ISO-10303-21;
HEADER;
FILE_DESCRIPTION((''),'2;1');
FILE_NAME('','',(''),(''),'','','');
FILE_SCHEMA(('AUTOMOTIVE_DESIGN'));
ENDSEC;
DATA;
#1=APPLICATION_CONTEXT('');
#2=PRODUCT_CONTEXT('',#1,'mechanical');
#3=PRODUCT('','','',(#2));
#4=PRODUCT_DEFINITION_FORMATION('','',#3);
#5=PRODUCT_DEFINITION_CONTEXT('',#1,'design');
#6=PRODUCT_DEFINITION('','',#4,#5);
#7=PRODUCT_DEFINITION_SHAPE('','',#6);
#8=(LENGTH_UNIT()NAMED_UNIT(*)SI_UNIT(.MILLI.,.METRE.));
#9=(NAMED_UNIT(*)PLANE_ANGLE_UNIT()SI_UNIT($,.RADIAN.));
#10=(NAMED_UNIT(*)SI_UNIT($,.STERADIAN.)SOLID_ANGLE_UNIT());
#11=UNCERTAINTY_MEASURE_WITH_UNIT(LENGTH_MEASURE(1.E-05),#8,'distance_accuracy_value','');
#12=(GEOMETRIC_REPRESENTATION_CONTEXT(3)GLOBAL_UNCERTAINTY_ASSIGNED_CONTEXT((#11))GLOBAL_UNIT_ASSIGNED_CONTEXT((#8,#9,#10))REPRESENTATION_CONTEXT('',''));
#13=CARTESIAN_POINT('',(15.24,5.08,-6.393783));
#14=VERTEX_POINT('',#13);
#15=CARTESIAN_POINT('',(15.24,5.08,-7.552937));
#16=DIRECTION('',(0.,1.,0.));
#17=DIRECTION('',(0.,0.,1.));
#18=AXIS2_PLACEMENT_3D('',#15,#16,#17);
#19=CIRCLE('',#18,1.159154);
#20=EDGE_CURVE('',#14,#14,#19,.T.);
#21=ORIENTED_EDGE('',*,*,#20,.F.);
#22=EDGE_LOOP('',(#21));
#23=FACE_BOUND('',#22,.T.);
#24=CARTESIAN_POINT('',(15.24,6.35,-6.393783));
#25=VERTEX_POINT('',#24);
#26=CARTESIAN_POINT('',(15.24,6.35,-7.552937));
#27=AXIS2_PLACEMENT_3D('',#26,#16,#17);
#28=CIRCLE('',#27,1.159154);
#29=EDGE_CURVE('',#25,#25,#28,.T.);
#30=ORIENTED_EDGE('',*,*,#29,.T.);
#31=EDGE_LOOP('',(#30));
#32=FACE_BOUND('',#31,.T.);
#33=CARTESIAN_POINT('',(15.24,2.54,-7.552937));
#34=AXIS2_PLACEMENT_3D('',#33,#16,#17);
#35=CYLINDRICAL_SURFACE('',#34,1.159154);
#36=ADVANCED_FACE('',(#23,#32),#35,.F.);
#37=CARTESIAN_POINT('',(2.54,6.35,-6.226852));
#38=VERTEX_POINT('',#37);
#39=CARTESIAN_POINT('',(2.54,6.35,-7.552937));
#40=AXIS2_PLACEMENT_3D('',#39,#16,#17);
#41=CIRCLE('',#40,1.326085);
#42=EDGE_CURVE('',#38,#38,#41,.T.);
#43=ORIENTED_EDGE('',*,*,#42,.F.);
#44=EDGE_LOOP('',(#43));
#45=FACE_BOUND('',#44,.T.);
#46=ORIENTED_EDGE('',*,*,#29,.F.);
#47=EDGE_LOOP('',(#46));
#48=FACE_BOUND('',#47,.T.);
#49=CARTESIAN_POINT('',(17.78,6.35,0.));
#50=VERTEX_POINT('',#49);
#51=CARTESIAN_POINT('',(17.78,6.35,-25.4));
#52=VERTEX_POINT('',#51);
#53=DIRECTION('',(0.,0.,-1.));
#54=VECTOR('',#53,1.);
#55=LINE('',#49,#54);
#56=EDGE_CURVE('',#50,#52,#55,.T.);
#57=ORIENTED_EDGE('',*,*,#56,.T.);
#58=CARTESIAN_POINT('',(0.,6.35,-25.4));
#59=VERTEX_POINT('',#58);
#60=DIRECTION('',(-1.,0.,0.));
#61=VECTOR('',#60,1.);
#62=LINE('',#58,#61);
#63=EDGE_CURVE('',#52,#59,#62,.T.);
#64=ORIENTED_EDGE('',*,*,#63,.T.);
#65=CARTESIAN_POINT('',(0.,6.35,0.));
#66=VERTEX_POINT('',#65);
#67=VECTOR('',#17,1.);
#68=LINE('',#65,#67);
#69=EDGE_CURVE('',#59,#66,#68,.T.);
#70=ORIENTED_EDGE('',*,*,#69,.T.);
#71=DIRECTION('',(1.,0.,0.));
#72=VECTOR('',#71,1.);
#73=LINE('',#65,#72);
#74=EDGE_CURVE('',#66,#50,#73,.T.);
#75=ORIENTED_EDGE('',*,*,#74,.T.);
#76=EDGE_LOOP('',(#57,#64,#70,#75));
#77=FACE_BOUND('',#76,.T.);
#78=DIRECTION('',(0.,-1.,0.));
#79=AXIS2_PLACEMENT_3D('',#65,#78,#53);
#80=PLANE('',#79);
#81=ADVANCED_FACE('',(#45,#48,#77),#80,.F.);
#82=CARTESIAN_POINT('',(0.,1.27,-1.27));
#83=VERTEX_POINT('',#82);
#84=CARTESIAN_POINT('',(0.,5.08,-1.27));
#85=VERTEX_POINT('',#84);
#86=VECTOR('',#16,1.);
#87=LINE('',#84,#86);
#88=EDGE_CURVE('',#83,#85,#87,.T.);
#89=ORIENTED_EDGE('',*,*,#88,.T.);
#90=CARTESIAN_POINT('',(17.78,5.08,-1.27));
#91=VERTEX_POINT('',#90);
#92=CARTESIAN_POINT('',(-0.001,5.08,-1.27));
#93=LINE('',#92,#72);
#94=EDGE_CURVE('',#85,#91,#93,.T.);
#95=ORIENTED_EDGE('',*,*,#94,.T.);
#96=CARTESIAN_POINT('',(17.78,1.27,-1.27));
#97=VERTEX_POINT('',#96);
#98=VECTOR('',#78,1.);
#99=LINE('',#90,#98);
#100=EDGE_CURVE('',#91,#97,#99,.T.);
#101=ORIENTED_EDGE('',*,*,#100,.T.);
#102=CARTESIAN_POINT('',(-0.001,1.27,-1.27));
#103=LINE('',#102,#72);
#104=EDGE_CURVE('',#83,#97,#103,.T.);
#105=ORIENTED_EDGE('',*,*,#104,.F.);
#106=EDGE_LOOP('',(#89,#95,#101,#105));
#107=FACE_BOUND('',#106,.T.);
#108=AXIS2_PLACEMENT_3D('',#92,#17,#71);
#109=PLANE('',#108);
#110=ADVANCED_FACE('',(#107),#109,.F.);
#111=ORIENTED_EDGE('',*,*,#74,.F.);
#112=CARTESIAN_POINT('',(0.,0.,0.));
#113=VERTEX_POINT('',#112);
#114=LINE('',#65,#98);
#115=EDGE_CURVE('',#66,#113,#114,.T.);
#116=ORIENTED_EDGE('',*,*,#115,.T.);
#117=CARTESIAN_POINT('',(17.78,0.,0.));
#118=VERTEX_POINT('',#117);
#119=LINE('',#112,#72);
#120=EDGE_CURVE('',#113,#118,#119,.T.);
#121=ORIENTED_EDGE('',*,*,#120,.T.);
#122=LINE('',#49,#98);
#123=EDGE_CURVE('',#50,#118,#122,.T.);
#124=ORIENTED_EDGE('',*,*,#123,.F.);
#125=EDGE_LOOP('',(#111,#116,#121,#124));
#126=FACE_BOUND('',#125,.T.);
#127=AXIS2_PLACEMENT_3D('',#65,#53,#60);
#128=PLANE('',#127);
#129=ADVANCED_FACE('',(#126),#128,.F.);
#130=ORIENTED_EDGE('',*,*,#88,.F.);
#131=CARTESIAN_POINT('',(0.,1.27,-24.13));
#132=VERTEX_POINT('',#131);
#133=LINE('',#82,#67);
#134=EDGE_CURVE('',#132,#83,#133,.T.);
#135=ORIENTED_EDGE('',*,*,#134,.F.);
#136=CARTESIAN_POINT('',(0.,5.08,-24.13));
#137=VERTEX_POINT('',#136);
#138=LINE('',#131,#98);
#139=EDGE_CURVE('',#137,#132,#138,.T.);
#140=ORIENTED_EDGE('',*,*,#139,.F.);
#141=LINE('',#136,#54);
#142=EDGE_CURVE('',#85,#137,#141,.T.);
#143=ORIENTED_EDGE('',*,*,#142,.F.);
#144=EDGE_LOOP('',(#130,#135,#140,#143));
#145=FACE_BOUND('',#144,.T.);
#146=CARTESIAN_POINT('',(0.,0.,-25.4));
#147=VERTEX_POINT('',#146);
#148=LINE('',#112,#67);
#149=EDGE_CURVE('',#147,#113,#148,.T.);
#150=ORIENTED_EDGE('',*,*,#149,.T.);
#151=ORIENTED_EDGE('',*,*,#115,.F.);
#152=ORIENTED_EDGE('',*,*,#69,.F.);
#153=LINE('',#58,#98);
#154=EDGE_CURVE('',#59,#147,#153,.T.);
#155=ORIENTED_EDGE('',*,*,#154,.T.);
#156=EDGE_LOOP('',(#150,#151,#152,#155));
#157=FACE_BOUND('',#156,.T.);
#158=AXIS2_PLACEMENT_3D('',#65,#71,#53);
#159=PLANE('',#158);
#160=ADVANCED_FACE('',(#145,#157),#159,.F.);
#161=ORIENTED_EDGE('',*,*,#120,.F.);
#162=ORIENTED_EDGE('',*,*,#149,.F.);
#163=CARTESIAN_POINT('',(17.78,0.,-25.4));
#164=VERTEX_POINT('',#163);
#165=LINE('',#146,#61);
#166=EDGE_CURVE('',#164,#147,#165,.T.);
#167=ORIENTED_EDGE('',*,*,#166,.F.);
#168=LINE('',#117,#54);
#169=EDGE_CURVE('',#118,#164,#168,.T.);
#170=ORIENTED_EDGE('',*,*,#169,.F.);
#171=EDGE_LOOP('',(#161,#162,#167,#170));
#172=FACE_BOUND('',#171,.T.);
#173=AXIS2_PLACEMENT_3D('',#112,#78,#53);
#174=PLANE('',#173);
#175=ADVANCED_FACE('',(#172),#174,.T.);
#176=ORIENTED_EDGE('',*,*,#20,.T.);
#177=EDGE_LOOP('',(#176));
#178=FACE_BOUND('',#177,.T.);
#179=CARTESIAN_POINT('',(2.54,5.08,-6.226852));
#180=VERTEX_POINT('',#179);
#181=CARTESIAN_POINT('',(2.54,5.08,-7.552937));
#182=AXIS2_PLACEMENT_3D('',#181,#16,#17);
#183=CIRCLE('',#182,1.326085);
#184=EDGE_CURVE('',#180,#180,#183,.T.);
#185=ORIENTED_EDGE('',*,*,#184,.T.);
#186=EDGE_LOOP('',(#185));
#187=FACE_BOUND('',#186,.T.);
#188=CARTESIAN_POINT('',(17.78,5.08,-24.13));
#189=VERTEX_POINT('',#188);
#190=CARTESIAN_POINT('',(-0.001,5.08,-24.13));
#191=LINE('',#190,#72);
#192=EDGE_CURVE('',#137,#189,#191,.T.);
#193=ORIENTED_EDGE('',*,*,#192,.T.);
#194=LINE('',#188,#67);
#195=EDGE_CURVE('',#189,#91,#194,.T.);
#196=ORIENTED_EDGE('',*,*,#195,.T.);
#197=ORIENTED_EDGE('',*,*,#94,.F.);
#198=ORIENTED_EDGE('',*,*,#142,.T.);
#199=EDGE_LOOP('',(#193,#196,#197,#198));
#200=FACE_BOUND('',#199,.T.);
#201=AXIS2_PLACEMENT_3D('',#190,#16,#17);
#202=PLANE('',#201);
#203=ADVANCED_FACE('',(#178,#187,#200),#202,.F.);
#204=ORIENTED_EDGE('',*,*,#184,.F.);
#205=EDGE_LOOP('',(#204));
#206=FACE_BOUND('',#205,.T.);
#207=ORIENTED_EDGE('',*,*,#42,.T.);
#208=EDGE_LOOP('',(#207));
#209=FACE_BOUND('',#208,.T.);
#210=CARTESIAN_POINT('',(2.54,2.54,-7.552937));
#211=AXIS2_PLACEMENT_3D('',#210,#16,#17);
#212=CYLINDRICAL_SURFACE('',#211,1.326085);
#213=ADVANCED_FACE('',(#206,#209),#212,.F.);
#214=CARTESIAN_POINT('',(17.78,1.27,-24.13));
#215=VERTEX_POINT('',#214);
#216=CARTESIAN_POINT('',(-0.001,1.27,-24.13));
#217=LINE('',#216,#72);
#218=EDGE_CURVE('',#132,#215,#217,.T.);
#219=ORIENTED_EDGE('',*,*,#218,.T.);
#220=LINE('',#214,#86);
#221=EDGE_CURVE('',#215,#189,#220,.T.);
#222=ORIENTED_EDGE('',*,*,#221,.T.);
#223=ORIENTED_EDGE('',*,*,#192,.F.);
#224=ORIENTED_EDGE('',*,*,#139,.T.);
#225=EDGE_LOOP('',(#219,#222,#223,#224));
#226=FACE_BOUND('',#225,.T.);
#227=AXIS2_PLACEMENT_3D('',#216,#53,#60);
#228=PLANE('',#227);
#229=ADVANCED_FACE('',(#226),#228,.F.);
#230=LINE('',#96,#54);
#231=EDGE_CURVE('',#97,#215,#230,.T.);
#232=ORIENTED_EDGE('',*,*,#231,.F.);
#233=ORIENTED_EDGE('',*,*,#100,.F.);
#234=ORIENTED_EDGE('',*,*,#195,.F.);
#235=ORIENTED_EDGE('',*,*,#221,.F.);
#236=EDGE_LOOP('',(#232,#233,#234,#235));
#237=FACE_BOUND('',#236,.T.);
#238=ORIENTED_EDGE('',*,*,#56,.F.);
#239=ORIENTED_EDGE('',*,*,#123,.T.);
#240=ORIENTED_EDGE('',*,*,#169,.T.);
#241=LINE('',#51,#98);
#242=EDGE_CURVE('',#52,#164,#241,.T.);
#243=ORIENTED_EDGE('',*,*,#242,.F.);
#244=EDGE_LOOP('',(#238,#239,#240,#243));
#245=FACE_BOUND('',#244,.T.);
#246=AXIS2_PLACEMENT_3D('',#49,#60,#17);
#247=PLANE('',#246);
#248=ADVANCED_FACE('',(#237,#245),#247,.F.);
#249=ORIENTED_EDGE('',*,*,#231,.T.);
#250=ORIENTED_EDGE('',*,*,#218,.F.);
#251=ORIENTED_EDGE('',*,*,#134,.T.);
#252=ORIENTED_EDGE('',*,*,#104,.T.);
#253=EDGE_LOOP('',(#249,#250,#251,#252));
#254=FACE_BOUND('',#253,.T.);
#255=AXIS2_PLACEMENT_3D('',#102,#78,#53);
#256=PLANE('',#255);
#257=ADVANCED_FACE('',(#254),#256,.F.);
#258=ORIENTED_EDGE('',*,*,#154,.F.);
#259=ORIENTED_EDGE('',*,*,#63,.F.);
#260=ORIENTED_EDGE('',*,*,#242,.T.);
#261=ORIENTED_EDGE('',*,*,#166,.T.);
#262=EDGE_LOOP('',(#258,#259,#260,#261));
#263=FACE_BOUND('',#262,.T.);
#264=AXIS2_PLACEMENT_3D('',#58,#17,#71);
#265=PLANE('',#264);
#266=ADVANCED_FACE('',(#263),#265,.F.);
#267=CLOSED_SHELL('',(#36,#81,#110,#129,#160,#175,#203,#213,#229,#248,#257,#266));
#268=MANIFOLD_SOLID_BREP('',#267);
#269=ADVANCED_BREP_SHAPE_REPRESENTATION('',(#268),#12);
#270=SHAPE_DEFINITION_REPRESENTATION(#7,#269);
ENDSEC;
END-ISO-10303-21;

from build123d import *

# Parameters (mm, degrees)
SKETCH2_W           = 17.78
SKETCH2_H           = 25.4
BOSS_EXTRUDE1_DEPTH = 6.35
SKETCH3_R           = 1.326085058
SKETCH3_R_2         = 1.159154329
CUT_EXTRUDE2_DEPTH  = 3.81
CUT_EXTRUDE3_REACH  = 19.78
SKETCH4_W           = 22.86
SKETCH4_H           = 3.81


with BuildPart() as part:
    # Sketch2 → Boss-Extrude1 (new body)
    with BuildSketch(Plane(origin=(0, 0, 0), x_dir=(1, 0, 0), z_dir=(0, 1, 0))):
        with Locations((8.89, 12.7)):
            Rectangle(SKETCH2_W, SKETCH2_H)
    extrude(amount=BOSS_EXTRUDE1_DEPTH)

    # Sketch3 → Cut-Extrude2 (cut)
    with BuildSketch(Plane(origin=(0, 6.35, 0), x_dir=(1, 0, 0), z_dir=(0, 1, 0))):
        with Locations((2.54, 7.552937487)):
            Circle(SKETCH3_R)
        with Locations((15.24, 7.552937487)):
            Circle(SKETCH3_R_2)
    extrude(amount=-CUT_EXTRUDE2_DEPTH, mode=Mode.SUBTRACT)

    # Sketch4 → Cut-Extrude3 (cut, up to next)
    with BuildSketch(Plane(origin=(17.78, 0, 0), x_dir=(0, 0, -1), z_dir=(1, 0, 0)), mode=Mode.PRIVATE) as cut_extrude3_sk1:
        with Locations((12.7, 3.175)):
            Rectangle(SKETCH4_W, SKETCH4_H)
    cut_extrude3_tool1 = extrude(cut_extrude3_sk1.sketch, amount=-CUT_EXTRUDE3_REACH, mode=Mode.PRIVATE) & part.part
    add(cut_extrude3_tool1.solids().sort_by_distance((17.78, 3.175, -12.7))[0], mode=Mode.SUBTRACT)


solid = part.part
